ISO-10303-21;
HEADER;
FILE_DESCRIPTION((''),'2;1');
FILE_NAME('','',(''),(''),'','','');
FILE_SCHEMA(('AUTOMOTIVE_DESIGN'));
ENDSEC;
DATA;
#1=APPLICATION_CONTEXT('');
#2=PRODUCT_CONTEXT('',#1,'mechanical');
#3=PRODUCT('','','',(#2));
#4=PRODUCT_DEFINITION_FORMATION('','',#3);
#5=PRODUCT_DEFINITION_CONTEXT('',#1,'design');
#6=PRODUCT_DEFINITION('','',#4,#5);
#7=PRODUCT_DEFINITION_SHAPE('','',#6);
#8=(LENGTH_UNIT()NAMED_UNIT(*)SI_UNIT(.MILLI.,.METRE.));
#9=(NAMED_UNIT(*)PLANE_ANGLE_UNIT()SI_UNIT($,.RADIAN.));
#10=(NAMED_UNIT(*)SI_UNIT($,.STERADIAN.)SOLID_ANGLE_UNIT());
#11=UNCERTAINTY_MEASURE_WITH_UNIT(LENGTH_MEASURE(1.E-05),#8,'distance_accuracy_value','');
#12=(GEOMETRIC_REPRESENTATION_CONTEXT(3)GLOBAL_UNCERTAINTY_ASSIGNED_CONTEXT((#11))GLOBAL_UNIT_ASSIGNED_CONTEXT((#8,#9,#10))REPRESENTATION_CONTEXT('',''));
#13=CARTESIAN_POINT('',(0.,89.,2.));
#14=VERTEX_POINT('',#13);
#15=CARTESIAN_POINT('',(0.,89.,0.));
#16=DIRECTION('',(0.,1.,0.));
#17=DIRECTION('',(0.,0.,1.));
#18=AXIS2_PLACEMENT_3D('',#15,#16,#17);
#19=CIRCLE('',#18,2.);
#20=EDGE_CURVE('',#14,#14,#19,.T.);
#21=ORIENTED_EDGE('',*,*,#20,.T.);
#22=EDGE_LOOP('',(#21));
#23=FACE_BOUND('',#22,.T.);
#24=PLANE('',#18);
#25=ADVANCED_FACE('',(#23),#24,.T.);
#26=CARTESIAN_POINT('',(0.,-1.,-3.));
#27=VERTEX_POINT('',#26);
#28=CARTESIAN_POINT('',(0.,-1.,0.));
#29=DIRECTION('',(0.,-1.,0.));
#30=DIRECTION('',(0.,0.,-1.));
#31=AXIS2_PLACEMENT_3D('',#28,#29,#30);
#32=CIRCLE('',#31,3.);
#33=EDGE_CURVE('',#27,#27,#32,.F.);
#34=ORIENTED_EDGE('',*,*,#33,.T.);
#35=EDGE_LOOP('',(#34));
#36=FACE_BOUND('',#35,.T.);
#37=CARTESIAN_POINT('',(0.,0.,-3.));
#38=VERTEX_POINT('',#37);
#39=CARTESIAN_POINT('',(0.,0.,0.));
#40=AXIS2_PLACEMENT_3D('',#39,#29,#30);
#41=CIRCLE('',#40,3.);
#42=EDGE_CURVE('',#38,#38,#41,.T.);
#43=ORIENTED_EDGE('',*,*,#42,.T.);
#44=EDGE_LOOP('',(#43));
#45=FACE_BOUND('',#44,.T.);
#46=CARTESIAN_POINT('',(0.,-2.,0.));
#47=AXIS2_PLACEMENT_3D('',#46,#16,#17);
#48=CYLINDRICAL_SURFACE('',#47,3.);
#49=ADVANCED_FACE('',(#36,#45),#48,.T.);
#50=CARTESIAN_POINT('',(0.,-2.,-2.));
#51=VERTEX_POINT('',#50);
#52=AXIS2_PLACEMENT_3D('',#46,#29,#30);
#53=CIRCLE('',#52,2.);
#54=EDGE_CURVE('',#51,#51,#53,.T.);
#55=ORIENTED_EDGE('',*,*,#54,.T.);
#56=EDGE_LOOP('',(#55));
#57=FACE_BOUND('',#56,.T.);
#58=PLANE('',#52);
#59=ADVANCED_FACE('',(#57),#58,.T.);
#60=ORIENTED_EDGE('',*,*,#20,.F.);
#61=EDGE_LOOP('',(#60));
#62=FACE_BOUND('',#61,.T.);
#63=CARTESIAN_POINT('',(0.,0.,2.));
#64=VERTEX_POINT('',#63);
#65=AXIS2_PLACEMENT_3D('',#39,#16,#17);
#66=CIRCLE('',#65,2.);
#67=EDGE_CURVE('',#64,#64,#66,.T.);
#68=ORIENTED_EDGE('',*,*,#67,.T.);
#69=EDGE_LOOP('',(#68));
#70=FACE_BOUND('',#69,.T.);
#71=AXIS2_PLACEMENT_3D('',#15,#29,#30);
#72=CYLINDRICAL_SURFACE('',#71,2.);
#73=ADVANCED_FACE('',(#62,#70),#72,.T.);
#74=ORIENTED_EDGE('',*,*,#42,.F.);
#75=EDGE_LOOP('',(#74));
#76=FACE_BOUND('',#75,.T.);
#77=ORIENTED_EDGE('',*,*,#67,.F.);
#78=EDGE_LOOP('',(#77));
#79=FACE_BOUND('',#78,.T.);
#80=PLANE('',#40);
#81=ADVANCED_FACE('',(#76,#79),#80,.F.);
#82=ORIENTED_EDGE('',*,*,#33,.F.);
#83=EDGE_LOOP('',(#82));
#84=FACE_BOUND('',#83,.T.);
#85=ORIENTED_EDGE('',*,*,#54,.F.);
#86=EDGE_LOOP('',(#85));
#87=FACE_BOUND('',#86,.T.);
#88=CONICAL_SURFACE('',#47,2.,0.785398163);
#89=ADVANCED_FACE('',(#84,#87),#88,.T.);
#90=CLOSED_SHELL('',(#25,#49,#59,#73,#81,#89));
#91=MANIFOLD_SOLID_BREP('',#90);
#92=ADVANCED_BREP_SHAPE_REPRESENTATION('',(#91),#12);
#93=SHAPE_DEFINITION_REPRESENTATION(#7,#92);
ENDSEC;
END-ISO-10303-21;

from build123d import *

# Parameters (mm, degrees)
SKETCH1_R           = 2
BOSS_EXTRUDE1_DEPTH = 89
SKETCH2_R           = 3
BOSS_EXTRUDE2_DEPTH = 2
CHAMFER1_SIZE       = 1


with BuildPart() as part:
    # Sketch1 → Boss-Extrude1 (new body)
    with BuildSketch(Plane(origin=(0, 0, 0), x_dir=(1, 0, 0), z_dir=(0, 1, 0))):
        with Locations(Location((0, 0, 0), (0, 0, 270))):
            Circle(SKETCH1_R)
    extrude(amount=BOSS_EXTRUDE1_DEPTH)

    # Sketch2 → Boss-Extrude2 (add)
    with BuildSketch(Plane.XZ):
        with Locations(Location((0, 0, 0), (0, 0, 270))):
            Circle(SKETCH2_R)
    extrude(amount=BOSS_EXTRUDE2_DEPTH)

    # Chamfer1
    chamfer1_edges = [part.edges().sort_by_distance(p)[0] for p in [
        (0, -2, 3),
    ]]
    chamfer(chamfer1_edges, length=CHAMFER1_SIZE)


solid = part.part
